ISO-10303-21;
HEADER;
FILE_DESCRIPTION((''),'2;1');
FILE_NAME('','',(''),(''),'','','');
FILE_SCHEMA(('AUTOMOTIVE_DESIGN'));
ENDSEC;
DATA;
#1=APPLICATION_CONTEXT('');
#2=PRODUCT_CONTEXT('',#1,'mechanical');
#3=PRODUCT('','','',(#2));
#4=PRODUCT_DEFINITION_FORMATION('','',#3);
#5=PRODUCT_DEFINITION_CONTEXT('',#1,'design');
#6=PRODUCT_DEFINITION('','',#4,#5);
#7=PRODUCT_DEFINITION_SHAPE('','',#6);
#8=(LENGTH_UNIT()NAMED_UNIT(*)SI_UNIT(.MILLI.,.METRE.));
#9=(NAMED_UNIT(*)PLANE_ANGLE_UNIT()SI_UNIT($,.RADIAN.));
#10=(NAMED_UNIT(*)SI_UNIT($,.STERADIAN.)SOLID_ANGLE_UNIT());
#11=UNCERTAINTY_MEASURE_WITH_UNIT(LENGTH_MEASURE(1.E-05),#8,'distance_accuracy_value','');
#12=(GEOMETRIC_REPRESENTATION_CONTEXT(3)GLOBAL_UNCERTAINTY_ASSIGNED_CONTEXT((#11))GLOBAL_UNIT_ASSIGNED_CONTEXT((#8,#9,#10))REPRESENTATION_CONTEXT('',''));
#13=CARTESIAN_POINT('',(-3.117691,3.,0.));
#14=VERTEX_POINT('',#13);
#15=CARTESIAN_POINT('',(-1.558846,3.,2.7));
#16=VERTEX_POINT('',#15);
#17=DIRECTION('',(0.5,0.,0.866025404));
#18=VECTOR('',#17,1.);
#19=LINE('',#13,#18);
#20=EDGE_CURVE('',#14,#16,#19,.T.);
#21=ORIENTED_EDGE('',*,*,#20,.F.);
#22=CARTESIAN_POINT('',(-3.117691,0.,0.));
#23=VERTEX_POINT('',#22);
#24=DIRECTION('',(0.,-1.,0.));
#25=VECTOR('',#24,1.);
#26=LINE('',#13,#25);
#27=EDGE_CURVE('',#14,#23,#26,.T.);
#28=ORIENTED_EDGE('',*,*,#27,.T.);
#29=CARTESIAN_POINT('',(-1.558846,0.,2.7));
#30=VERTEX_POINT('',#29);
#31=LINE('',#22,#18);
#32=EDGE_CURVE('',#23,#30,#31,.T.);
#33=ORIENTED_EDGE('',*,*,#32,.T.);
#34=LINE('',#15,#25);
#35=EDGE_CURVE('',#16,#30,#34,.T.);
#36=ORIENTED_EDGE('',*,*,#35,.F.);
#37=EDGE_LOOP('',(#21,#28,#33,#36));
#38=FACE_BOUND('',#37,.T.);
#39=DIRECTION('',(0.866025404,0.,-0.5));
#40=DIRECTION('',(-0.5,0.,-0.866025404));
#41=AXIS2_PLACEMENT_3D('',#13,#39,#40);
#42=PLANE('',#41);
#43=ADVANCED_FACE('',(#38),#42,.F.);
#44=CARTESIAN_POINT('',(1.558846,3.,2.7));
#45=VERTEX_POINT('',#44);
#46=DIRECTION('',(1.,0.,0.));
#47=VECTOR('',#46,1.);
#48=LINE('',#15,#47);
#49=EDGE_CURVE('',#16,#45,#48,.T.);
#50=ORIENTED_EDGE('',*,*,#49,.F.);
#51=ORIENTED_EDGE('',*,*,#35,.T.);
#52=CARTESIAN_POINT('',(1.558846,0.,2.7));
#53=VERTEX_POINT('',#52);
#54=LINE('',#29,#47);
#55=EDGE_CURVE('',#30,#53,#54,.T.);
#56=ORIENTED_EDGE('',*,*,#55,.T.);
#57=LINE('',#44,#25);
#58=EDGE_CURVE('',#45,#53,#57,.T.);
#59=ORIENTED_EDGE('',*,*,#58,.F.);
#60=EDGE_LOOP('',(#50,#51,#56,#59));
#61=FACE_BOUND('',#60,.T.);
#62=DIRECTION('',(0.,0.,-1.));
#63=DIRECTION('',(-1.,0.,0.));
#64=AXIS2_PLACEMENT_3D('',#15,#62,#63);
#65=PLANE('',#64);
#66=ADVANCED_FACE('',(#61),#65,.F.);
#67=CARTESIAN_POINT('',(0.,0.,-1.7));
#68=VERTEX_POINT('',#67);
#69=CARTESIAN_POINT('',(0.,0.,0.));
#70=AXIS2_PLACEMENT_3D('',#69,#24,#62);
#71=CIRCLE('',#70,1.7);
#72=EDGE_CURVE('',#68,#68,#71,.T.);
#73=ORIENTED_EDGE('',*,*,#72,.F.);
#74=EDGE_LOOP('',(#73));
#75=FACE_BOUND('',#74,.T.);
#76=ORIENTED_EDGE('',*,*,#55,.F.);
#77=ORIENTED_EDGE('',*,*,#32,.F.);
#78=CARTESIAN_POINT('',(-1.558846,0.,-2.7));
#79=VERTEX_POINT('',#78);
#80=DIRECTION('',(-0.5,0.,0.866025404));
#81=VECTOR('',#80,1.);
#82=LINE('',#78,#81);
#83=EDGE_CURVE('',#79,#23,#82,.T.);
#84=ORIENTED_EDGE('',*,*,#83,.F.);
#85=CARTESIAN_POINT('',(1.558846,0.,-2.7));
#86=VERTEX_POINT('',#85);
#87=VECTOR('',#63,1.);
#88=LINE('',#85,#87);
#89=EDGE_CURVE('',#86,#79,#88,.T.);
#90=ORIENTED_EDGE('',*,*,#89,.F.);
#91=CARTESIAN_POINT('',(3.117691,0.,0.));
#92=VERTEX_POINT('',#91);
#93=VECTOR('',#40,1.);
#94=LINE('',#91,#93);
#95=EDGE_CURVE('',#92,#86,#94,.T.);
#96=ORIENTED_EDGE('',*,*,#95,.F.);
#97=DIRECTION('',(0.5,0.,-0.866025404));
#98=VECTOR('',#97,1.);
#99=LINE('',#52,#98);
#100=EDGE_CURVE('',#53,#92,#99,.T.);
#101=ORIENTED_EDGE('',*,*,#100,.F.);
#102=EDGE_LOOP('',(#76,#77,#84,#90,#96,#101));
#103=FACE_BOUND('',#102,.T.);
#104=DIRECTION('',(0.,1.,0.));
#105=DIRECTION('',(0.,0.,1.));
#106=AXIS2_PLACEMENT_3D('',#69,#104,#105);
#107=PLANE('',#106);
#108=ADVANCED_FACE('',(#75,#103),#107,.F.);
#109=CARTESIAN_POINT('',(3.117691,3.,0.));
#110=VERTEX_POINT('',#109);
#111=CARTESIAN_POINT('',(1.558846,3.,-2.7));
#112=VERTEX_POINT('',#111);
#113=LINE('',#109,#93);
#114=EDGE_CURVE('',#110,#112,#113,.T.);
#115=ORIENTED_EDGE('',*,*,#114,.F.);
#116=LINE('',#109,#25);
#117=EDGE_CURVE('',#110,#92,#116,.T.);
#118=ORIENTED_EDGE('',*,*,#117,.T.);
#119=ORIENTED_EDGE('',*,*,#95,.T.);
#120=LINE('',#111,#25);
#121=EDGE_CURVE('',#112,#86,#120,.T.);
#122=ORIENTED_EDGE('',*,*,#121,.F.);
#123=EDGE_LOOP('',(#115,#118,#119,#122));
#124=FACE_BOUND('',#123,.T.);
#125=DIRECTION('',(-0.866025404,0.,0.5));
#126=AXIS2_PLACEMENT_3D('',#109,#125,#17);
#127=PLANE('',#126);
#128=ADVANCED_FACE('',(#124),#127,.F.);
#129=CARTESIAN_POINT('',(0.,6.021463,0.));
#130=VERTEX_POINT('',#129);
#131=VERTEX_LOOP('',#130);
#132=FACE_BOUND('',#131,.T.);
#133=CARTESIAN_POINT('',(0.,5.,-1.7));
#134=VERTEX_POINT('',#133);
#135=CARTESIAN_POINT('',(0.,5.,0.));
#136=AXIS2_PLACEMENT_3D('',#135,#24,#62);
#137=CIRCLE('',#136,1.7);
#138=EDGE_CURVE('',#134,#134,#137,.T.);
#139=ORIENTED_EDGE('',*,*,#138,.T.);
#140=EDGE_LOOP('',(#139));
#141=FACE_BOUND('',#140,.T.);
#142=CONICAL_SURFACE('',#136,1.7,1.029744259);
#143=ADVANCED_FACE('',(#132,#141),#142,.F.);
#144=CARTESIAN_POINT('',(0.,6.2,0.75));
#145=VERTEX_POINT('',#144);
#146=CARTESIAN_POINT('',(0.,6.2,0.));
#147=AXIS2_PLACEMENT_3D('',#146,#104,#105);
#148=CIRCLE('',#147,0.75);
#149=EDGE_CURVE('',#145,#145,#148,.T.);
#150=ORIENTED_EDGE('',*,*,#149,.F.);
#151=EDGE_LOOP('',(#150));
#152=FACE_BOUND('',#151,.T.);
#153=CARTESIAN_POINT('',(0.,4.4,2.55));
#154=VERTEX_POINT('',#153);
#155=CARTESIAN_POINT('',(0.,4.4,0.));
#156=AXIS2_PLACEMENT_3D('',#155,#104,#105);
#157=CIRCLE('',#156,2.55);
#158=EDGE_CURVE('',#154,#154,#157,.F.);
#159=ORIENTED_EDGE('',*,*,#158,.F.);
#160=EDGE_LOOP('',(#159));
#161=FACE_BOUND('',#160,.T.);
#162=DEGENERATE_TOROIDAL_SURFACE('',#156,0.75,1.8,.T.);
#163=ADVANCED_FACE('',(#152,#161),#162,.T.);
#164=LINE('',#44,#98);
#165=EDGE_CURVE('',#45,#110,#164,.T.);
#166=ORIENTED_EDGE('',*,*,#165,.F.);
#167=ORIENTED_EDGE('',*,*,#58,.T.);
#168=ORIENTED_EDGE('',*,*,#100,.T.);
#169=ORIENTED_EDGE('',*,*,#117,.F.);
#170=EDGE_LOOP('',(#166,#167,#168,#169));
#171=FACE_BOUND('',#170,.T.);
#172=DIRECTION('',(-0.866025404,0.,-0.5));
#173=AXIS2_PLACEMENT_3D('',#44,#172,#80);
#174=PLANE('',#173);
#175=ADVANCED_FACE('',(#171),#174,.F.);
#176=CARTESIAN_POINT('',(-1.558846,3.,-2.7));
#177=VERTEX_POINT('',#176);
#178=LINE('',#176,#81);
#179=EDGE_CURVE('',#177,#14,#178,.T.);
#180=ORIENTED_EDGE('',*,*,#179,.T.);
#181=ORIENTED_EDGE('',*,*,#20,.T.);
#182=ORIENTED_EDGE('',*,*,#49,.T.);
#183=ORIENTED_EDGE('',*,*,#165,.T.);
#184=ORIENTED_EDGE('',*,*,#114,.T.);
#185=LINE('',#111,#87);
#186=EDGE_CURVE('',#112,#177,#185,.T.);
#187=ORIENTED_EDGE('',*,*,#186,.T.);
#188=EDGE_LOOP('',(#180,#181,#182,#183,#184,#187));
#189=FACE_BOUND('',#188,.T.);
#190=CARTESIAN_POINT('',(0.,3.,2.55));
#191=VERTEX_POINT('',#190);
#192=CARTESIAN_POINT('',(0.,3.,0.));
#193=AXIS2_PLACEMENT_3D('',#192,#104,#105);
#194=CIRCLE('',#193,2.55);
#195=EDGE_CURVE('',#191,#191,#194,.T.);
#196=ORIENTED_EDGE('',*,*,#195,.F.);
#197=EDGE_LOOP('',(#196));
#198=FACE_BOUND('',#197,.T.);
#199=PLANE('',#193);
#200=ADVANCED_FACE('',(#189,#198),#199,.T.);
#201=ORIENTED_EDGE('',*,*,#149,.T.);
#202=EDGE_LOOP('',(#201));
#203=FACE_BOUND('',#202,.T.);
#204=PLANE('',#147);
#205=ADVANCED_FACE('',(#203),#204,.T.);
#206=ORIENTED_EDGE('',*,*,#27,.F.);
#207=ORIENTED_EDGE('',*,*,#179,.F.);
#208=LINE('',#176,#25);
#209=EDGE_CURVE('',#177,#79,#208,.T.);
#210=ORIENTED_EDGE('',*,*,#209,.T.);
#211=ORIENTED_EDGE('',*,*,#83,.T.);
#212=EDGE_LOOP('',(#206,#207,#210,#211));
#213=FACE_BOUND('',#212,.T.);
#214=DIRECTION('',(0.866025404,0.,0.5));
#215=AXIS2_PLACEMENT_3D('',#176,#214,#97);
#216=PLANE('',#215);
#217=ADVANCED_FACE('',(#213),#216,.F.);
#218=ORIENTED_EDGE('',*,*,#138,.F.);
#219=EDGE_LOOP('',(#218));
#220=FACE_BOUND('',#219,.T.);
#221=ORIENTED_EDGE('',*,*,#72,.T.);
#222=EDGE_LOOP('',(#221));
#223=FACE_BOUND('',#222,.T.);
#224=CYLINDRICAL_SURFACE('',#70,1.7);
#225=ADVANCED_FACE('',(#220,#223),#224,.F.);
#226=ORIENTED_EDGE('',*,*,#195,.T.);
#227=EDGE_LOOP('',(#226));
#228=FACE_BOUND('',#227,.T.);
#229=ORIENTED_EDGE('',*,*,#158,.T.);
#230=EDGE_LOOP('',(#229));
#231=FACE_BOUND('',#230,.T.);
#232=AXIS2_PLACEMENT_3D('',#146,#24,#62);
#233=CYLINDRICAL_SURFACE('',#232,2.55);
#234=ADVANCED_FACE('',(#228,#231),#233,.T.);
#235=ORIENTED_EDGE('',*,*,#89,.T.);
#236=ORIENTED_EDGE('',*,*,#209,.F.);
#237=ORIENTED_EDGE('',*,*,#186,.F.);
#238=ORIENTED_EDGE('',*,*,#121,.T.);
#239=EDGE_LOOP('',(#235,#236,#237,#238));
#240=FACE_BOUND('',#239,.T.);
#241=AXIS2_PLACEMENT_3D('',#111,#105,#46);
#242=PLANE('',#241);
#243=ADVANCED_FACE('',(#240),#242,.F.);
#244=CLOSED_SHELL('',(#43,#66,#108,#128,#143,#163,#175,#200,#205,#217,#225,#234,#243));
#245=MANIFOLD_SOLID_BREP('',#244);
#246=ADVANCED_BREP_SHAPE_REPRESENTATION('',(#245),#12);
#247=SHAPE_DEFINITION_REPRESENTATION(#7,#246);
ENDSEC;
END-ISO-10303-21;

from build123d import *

# Parameters (mm, degrees)
BOSS_EXTRU_1_DEPTH   = 3
ESQUISSE2_R          = 2.55
BOSS_EXTRU_2_DEPTH   = 3.2
CONG_1_R             = 1.8
D_GAGEMENT_M31_D     = 3.4
D_GAGEMENT_M31_DEPTH = 5
D_GAGEMENT_M31_TIP   = 1.021463052


with BuildPart() as part:
    # Esquisse1 → Boss.-Extru.1 (new body)
    with BuildSketch(Plane(origin=(0, 0, 0), x_dir=(1, 0, 0), z_dir=(0, 1, 0))):
        Polygon((3.117691454, 0), (1.558845727, 2.7), (-1.558845727, 2.7), (-3.117691454, 0), (-1.558845727, -2.7), (1.558845727, -2.7), align=None)
    extrude(amount=BOSS_EXTRU_1_DEPTH)

    # Esquisse2 → Boss.-Extru.2 (add)
    with BuildSketch(Plane(origin=(0, 3, 0), x_dir=(1, 0, 0), z_dir=(0, 1, 0))):
        with Locations(Location((0, 0, 0), (0, 0, 270))):
            Circle(ESQUISSE2_R)
    extrude(amount=BOSS_EXTRU_2_DEPTH)

    # Congé1
    cong_1_edges = [part.edges().sort_by_distance(p)[0] for p in [
        (0, 6.2, -2.55),
    ]]
    fillet(cong_1_edges, radius=CONG_1_R)

    # Dégagement M31
    with Locations(Plane(origin=(0, 0, 0), x_dir=(-1, 0, 0), z_dir=(0, -1, 0))):
        with Locations((0, 0)):
            Hole(D_GAGEMENT_M31_D / 2, depth=D_GAGEMENT_M31_DEPTH)
            with Locations((0, 0, -(D_GAGEMENT_M31_DEPTH + D_GAGEMENT_M31_TIP / 2))):  # 118° drill point
                Cone(0, D_GAGEMENT_M31_D / 2, D_GAGEMENT_M31_TIP, mode=Mode.SUBTRACT)


solid = part.part
